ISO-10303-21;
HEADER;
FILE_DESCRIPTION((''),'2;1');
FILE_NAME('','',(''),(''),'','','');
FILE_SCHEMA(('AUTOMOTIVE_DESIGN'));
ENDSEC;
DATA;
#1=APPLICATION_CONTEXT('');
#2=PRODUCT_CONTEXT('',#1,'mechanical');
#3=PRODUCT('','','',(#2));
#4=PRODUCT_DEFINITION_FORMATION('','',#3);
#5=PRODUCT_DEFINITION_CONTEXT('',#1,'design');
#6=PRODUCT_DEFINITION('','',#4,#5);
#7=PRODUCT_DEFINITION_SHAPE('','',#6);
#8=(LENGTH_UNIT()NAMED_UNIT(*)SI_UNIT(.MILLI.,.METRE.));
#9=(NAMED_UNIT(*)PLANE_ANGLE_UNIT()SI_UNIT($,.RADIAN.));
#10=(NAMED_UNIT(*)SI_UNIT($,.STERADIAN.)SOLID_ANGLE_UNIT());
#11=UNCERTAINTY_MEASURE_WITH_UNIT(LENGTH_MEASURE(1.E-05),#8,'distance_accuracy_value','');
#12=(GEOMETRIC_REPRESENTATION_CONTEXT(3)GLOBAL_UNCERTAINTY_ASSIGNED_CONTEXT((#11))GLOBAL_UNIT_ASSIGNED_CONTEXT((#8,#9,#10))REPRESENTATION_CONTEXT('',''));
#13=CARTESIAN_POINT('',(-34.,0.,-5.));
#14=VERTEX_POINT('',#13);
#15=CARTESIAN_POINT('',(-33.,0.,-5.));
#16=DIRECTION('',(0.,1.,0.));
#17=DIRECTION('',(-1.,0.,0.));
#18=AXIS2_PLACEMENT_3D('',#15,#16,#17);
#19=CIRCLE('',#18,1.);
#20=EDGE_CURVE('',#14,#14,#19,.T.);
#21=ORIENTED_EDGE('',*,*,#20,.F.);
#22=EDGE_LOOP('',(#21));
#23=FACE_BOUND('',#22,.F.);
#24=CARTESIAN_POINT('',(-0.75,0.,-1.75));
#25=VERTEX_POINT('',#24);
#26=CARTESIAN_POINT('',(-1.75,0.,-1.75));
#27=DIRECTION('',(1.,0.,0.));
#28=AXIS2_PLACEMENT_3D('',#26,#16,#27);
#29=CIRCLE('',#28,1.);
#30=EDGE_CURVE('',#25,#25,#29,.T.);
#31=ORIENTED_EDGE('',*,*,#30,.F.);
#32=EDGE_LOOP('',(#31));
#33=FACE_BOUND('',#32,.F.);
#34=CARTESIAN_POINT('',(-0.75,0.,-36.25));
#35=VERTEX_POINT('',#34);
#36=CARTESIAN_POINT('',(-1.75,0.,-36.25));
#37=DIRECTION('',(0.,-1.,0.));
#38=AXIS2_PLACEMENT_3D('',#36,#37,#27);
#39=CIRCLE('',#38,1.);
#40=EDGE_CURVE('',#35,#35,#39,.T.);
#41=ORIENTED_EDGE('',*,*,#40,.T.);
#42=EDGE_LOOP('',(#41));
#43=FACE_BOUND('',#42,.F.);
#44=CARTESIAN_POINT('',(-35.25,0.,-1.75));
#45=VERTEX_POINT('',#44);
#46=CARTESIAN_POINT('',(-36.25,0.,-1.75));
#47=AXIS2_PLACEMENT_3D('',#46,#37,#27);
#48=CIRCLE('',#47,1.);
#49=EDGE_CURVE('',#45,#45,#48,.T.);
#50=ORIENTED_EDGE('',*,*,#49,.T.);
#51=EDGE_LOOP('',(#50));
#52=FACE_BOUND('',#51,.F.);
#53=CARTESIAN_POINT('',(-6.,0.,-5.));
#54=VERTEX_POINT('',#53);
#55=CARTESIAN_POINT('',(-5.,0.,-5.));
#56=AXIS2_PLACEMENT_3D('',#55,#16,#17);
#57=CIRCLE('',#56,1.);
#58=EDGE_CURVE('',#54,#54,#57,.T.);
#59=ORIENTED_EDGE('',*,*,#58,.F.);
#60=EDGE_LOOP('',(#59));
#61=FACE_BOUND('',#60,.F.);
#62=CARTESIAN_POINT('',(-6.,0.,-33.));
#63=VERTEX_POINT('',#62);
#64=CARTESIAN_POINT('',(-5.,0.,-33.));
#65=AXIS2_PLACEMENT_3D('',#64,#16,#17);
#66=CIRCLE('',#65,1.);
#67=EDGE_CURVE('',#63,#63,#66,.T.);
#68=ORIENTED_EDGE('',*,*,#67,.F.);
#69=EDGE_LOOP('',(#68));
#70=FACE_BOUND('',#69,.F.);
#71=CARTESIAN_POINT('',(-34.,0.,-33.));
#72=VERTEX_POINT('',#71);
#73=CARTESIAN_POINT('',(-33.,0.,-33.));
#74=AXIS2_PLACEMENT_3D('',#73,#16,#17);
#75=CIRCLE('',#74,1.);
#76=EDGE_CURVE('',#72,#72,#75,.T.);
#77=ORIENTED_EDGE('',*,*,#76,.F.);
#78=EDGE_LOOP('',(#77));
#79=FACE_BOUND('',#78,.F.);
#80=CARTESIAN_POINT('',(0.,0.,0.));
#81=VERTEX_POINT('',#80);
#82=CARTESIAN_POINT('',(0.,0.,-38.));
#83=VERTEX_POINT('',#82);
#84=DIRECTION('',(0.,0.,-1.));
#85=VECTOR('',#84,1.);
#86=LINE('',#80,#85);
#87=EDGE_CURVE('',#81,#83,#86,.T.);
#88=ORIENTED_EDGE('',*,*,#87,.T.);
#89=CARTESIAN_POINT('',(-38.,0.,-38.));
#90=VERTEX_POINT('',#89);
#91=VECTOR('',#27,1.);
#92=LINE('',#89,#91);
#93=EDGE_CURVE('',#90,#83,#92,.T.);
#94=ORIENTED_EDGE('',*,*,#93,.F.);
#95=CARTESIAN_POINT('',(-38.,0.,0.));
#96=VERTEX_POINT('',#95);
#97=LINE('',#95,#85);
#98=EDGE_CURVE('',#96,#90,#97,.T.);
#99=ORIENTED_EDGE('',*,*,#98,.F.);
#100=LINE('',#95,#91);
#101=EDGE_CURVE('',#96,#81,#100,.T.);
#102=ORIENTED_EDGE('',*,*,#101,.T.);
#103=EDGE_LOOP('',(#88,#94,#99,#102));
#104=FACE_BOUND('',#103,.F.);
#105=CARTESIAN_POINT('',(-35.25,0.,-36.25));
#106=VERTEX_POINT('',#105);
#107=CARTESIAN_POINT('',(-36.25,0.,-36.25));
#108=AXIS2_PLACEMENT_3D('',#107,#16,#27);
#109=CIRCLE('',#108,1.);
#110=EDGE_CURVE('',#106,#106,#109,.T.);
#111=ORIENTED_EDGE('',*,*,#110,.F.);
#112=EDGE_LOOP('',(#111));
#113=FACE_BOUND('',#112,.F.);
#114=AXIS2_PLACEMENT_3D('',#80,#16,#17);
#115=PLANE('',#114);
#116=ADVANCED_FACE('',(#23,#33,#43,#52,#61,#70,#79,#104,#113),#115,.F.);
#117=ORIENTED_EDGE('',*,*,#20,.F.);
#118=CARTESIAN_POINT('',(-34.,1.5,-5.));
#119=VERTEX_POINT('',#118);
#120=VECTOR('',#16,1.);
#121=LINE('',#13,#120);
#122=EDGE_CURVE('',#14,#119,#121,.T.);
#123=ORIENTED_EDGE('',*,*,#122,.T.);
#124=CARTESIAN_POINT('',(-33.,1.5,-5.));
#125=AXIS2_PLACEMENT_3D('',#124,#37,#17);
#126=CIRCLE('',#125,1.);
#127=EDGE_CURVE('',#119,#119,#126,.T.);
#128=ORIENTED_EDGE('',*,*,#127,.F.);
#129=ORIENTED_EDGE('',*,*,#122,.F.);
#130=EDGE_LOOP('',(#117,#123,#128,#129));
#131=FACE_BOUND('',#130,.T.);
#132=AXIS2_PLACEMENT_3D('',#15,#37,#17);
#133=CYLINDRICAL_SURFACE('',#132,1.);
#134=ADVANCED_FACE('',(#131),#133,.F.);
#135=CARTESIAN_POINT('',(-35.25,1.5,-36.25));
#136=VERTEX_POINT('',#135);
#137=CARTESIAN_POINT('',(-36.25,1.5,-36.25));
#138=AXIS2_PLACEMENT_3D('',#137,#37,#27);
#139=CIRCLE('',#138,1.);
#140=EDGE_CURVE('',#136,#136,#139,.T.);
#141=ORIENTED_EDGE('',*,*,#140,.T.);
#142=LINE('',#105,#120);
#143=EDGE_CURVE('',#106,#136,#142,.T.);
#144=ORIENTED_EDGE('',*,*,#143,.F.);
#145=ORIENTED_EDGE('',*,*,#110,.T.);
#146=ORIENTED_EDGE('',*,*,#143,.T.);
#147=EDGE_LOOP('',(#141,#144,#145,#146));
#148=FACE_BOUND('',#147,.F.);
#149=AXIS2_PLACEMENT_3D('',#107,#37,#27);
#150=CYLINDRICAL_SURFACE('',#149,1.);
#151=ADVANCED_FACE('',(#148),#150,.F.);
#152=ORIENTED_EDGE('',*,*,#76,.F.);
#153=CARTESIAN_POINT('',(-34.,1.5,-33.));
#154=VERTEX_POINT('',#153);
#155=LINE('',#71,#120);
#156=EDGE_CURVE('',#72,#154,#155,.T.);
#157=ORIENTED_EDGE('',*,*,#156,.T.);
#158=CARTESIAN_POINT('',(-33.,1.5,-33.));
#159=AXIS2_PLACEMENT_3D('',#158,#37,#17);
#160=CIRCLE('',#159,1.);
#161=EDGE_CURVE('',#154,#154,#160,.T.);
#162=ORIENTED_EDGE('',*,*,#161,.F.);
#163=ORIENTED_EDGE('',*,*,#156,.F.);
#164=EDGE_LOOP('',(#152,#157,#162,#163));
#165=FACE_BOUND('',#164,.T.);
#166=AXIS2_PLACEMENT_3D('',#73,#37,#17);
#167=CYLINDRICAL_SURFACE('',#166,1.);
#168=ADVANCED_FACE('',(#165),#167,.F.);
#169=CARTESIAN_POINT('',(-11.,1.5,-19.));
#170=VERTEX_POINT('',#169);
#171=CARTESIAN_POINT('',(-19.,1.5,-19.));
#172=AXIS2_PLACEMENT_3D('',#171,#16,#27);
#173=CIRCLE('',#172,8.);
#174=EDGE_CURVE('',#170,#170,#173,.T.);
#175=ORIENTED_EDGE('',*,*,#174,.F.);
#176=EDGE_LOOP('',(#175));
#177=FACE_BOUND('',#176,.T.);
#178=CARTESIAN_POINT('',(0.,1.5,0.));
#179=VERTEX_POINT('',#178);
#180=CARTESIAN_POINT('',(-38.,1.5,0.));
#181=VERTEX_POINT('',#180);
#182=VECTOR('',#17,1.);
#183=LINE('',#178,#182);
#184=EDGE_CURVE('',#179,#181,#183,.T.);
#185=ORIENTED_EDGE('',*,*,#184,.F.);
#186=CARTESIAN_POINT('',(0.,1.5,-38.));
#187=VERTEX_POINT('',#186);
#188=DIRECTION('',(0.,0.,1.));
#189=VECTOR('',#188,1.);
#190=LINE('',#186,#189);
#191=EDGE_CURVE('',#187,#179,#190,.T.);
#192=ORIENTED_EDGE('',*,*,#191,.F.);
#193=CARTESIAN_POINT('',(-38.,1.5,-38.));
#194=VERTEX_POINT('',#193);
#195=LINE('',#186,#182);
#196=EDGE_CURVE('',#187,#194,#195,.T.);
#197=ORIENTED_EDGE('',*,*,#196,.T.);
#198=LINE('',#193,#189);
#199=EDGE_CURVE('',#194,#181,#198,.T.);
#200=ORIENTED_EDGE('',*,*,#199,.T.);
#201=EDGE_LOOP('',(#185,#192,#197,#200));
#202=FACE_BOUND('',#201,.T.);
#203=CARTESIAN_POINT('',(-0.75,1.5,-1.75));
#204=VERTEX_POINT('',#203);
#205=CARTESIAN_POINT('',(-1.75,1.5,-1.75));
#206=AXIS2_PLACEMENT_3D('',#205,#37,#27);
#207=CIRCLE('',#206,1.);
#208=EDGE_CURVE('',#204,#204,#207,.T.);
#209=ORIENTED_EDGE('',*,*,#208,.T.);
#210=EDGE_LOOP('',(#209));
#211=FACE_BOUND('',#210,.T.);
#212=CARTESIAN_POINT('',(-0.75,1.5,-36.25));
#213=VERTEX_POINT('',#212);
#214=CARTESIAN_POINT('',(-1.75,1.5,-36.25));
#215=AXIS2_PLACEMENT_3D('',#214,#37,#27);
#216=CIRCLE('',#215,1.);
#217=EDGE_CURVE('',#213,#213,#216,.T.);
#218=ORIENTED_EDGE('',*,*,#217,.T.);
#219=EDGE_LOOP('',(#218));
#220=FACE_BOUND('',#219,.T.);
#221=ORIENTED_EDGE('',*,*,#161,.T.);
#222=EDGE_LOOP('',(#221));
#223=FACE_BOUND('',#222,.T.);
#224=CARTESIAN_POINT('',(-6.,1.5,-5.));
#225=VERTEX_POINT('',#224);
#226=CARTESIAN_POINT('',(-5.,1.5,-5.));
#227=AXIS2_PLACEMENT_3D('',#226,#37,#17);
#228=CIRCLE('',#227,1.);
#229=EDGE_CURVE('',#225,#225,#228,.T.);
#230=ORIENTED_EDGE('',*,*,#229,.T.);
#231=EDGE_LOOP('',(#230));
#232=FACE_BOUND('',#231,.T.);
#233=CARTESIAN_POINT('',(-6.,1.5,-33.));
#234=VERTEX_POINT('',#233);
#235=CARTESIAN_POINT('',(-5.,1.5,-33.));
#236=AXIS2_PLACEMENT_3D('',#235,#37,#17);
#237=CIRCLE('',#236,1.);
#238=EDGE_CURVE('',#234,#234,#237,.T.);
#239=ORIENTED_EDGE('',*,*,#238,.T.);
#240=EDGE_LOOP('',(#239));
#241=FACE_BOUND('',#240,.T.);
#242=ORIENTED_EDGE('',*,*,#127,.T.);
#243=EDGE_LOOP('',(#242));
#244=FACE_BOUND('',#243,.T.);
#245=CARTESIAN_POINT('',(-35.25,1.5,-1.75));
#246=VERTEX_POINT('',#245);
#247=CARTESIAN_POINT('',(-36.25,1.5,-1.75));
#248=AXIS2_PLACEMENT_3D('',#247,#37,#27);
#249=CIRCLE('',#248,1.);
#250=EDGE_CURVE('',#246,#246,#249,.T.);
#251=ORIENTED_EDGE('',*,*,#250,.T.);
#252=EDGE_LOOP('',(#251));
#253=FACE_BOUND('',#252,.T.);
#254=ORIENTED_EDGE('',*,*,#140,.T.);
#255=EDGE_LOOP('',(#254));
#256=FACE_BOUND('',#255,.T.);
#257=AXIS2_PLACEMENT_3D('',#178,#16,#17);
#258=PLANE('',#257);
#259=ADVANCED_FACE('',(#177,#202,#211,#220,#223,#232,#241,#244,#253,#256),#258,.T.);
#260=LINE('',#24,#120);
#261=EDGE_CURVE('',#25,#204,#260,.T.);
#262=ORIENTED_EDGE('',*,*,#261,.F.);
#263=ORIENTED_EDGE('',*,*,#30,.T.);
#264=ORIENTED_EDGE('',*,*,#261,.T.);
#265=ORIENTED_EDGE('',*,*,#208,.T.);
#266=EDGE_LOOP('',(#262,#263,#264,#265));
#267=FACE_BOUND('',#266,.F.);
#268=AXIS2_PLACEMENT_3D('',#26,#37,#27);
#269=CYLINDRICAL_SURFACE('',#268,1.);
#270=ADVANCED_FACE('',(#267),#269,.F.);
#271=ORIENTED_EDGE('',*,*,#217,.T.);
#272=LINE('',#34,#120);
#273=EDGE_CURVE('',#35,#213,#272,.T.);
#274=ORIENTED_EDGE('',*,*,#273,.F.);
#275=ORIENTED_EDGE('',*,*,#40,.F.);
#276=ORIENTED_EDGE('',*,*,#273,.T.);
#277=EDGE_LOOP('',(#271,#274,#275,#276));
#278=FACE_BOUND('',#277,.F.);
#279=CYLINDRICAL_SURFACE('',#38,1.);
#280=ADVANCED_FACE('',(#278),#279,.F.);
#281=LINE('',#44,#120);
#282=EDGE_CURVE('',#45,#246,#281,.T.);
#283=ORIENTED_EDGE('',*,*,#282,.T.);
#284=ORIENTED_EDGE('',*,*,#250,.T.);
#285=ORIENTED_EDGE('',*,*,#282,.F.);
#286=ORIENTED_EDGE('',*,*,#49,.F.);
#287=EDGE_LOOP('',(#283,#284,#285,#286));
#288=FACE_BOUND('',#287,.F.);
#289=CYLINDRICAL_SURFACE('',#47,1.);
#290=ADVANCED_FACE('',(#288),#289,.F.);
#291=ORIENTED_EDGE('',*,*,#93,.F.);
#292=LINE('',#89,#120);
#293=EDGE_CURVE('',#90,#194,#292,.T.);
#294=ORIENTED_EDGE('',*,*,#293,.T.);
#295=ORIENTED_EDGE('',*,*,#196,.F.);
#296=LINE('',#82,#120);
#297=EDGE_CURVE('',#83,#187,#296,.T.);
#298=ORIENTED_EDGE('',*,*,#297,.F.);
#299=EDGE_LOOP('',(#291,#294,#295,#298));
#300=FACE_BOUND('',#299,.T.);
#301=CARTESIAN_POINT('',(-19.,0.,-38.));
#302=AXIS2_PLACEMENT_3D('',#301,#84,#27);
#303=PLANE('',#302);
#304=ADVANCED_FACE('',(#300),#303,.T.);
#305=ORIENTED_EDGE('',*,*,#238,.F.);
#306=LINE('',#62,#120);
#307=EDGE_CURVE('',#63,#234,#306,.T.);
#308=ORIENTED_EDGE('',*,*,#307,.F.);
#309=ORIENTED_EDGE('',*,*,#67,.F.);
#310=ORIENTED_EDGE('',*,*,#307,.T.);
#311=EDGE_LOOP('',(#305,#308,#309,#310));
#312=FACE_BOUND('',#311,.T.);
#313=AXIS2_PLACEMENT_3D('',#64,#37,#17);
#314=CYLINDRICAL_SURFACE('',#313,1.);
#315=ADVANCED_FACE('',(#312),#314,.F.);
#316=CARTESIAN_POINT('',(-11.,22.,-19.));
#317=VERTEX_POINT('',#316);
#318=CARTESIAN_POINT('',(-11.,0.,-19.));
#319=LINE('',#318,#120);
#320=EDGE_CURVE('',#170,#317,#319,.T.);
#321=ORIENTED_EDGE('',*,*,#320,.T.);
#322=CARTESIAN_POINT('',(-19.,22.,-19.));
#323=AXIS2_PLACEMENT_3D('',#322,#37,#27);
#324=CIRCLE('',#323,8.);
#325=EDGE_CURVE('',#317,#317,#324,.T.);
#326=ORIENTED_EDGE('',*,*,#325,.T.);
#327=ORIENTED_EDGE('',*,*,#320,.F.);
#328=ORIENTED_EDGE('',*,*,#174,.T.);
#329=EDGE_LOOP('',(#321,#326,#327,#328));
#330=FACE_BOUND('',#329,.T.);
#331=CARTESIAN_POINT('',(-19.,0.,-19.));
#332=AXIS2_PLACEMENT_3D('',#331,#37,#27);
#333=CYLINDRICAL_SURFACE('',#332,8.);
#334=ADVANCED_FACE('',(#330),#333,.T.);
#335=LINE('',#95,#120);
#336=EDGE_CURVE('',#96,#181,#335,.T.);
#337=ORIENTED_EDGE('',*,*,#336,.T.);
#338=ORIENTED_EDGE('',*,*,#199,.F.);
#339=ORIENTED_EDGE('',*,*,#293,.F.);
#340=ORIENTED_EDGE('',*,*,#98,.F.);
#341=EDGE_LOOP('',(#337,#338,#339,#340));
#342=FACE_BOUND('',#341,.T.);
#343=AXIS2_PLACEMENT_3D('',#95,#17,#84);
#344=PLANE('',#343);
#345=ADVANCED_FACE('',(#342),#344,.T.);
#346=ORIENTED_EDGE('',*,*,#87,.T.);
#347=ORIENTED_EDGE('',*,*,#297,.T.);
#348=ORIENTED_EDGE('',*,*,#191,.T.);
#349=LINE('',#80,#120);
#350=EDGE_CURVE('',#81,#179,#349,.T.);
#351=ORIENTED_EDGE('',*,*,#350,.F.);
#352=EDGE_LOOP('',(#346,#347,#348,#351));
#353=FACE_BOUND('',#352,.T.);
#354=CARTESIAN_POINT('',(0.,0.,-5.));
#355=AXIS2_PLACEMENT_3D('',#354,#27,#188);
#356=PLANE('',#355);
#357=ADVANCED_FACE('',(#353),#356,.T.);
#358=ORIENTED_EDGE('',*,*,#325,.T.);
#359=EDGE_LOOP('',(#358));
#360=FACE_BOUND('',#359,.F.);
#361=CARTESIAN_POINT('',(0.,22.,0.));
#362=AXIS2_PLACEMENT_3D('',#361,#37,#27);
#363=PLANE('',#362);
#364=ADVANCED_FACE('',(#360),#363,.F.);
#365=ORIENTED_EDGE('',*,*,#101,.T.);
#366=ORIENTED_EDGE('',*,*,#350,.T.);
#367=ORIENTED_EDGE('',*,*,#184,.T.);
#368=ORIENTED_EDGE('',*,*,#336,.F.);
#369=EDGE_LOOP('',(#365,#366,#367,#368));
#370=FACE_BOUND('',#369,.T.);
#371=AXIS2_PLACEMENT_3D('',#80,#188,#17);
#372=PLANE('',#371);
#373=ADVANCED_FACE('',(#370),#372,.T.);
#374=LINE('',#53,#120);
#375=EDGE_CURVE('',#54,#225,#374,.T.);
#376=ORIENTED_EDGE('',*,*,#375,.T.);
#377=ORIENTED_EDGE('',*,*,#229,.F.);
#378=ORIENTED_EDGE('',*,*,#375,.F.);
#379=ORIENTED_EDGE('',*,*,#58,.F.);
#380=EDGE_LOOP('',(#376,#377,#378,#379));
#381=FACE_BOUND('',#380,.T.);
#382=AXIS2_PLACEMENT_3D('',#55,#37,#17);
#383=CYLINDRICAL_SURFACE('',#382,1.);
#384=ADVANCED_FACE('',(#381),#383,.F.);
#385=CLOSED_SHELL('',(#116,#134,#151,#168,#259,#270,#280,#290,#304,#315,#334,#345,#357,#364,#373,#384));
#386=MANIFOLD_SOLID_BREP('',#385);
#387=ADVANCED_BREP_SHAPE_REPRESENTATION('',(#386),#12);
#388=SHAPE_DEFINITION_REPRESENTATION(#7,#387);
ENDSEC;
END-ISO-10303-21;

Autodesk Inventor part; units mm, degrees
ref_plane "YZ Plane" through (0, 0, 0) normal (1, 0, 0) x (0, 1, 0)
ref_plane "XZ Plane" through (0, 0, 0) normal (0, 1, 0) x (-1, 0, 0)
ref_plane "XY Plane" through (0, 0, 0) normal (0, 0, 1) x (1, 0, 0)
sketch "Sketch1" plane through (0, 0, 0) normal (0, 1, 0) x (-1, 0, 0)
  line L0 (0, 0) -> (38, 0)
  line L1 (38, 0) -> (38, -38)
  line L2 (38, -38) -> (0, -38)
  line L3 (0, -38) -> (0, 0)
  line L4 (19, 0) -> (19, -38)
  line L5 (38, -19) -> (0, -19)
  circle A0 centre (19, -19) radius 8
  line L6 (0, -19) -> (0, -5)
  line L7 (38, -19) -> (38, -5)
  line L8 (38, -19) -> (38, -33)
  line L9 (0, -19) -> (0, -33)
  line L10 (0, -33) -> (38, -33)
  line L11 (38, -5) -> (0, -5)
  line L12 (19, -5) -> (5, -5)
  line L13 (19, -33) -> (33, -33)
  line L14 (33, -33) -> (33, -5)
  line L15 (5, -5) -> (5, -33)
  circle A1 centre (5, -5) radius 1
  circle A2 centre (5, -33) radius 1
  circle A3 centre (33, -33) radius 1
  circle A4 centre (33, -5) radius 1
  dimension "d0" = 38
  dimension "d1" = 38
  dimension "d2" = 16
  dimension "d3" = 14
  dimension "d4" = 14
  dimension "d5" = 14
  dimension "d6" = 14
  dimension "d7" = 14
  dimension "d8" = 14
  dimension "d9" = 28
  dimension "d10" = 28
  dimension "d11" = 2
  dimension "d12" = 2
  dimension "d13" = 2
  dimension "d14" = 2
extrude "Extrusion1" add sketch "Sketch1" along normal blind 1.5 contours L0 L4 L11 A1 L3 | L0 L1 L11 A4 L4 | L11 A1 L15 L5 L3 | L11 A4 L14 L5 A0 L4 | L4 A0 L5 L15 A1 L11 | L5 L15 A2 L10 L3 | L1 L5 L14 A4 L11 | L10 A2 L4 L2 L3 | L5 A0 L4 L10 A2 L15 | L1 L10 A3 L14 L5 | L5 L14 A3 L10 L4 A0 | L1 L2 L4 L10 A3
sketch "Sketch2" plane through (0, 0, 0) normal (0, -1, 0) x (1, 0, 0)
  circle A0 centre (-19, -19) radius 8 projected
  circle A1 centre (-19, -19) radius 8
  point P0 (0, 0)
extrude "Extrusion2" add sketch "Sketch2" against normal blind 22
sketch "Sketch4" plane through (0, 0, 0) normal (0, -1, 0) x (1, 0, 0)
  line L0 (0, 0) -> (0, -38) projected
  line L1 (0, -19) -> (-38, -19)
  line L2 (-38, -38) -> (-38, 0) projected
  line L3 (0, -38) -> (-38, -38) projected
  line L4 (-19, -38) -> (-19, 0)
  line L5 (-19, -19) -> (-19, -1.75)
  line L6 (-19, -1.75) -> (-1.75, -1.75)
  line L7 (-19, -19) -> (-36.25, -19)
  line L8 (-36.25, -19) -> (-36.25, -36.25)
  circle A0 centre (-1.75, -1.75) radius 1
  circle A1 centre (-36.25, -36.25) radius 1
  circle A2 centre (-1.75, -36.25) radius 1
  circle A3 centre (-36.25, -1.75) radius 1
  dimension "d24" = 17.25
  dimension "d25" = 17.25
  dimension "d26" = 17.25
  dimension "d27" = 17.25
  dimension "d28" = 2
  dimension "d29" = 2
extrude "Extrusion4" cut sketch "Sketch4" against normal blind 10 contours A0 | A1 | A2 | A3
properties part number "camera_v1"
